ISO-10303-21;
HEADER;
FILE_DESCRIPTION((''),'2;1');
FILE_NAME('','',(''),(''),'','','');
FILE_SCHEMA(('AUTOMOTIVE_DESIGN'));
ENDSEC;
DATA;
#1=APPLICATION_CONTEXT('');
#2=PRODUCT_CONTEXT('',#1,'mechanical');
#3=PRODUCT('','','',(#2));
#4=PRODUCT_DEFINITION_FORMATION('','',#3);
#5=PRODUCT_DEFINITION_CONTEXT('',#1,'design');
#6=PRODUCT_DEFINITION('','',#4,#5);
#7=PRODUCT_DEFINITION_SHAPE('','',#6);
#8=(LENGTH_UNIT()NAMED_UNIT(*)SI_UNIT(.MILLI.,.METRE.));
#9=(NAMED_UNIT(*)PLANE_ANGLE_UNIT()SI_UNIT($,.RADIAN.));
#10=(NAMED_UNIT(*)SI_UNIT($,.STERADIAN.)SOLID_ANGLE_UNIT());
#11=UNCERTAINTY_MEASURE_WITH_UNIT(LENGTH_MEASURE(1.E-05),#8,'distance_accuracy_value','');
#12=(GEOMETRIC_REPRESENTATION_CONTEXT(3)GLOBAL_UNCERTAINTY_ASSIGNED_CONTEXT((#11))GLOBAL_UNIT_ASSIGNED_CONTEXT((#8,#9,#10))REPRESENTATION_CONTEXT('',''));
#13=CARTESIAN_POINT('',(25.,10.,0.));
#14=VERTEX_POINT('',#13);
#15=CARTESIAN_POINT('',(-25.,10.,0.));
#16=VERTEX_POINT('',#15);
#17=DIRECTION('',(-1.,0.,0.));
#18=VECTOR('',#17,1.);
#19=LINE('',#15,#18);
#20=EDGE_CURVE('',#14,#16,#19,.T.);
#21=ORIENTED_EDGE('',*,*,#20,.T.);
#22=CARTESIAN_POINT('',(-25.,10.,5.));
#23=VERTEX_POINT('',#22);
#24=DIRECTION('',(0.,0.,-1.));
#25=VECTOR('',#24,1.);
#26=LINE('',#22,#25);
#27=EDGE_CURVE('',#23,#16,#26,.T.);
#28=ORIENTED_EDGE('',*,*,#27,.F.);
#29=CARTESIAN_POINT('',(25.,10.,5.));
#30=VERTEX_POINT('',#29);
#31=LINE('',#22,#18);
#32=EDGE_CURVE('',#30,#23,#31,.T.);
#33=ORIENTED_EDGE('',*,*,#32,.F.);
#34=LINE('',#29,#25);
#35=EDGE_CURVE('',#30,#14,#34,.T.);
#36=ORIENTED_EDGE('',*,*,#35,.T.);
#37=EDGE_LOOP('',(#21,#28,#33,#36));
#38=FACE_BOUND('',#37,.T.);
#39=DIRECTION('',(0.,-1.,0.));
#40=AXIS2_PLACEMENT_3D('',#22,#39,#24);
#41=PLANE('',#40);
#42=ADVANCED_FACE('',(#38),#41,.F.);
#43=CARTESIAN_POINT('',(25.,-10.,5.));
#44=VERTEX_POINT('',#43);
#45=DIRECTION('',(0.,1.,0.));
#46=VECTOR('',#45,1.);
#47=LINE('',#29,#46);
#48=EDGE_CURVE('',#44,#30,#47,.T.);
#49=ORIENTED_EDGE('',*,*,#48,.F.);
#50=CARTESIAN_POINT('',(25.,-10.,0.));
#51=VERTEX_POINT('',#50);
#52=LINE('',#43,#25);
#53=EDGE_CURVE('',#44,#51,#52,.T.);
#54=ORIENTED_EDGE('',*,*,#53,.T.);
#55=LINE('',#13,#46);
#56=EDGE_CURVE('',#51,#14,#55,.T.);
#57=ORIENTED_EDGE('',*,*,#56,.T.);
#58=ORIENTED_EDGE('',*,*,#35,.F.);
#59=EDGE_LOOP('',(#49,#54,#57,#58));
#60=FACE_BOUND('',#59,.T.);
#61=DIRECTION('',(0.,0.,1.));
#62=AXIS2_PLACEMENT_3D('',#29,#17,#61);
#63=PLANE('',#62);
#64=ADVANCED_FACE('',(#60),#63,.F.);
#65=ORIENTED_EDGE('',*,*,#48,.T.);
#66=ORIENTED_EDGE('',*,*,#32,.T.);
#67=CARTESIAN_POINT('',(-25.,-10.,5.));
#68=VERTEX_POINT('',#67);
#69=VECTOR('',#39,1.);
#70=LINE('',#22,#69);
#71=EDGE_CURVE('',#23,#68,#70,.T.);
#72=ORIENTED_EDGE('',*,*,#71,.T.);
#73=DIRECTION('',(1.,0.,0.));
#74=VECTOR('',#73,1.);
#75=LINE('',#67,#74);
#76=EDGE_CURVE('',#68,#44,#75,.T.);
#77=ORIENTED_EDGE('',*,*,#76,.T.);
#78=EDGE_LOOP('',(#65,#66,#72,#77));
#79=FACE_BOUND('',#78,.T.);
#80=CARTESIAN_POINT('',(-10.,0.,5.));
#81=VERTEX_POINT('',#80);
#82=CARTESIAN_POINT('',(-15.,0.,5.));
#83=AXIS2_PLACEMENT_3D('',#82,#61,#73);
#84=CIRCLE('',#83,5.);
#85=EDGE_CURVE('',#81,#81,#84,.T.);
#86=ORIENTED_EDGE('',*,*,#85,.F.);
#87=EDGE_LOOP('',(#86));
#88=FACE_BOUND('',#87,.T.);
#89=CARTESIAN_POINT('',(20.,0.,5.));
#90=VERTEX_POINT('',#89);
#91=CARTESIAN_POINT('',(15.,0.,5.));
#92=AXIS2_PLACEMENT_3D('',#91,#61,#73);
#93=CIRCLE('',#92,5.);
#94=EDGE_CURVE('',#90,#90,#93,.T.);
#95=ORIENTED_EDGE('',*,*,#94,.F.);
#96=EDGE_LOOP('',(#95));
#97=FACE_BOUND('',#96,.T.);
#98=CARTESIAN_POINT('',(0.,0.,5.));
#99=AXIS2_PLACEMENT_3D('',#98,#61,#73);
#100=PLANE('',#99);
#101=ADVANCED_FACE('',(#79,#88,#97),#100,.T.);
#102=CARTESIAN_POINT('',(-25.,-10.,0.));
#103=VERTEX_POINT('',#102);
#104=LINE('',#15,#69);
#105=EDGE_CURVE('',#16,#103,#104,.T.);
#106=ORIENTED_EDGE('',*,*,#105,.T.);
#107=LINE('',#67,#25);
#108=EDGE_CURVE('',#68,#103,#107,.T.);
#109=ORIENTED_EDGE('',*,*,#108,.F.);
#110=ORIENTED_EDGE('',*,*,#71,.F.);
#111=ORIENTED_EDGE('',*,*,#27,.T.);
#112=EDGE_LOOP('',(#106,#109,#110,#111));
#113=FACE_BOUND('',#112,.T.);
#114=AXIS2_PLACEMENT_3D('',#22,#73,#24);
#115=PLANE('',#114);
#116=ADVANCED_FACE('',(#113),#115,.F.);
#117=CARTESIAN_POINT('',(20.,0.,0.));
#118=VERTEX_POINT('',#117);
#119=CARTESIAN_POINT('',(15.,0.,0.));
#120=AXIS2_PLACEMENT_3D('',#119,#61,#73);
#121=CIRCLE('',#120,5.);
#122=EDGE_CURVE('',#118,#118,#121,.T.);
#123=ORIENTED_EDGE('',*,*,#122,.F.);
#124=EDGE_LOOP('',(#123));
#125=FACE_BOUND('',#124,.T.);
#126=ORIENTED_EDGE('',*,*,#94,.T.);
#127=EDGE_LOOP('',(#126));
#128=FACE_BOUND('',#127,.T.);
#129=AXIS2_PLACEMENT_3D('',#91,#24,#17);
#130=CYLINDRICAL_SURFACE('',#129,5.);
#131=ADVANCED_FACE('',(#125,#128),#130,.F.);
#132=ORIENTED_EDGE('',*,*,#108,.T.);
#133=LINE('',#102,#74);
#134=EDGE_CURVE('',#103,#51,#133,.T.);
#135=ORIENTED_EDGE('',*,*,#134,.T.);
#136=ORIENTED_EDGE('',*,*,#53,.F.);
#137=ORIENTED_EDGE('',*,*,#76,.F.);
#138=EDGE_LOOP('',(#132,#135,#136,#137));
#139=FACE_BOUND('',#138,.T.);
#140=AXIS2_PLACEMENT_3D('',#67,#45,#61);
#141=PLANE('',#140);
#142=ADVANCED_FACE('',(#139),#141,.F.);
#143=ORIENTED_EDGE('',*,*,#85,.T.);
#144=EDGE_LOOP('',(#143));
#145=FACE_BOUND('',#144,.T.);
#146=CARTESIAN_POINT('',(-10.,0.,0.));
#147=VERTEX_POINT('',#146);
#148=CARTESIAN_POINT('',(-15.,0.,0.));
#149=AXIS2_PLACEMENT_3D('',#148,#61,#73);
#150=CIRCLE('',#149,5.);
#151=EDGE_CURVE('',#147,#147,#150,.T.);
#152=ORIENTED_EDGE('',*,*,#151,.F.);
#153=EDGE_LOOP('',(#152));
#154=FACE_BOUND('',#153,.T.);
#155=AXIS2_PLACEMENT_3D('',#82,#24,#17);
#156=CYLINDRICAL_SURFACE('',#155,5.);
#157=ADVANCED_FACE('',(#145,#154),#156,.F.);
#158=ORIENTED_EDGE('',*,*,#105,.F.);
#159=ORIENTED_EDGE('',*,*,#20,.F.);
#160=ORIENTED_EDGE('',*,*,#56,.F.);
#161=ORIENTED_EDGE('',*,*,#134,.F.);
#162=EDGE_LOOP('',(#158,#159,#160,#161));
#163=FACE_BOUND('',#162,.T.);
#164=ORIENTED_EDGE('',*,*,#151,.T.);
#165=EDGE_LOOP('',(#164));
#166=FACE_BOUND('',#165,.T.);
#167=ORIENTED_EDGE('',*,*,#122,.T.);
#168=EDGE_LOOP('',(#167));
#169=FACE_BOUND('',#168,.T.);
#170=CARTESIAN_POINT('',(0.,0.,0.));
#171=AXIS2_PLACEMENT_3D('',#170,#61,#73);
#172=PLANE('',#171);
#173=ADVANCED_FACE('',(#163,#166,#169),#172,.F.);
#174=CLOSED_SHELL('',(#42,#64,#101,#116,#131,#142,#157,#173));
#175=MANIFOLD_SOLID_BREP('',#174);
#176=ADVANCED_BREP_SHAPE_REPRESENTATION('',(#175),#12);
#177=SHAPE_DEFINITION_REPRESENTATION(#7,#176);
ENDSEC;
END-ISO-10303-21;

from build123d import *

# Parameters (mm, degrees)
SKETCH1_W           = 50
SKETCH1_H           = 20
SKETCH1_R           = 5
BOSS_EXTRUDE1_DEPTH = 5


with BuildPart() as part:
    # Sketch1 → Boss-Extrude1 (new body)
    with BuildSketch(Plane.XY):
        Rectangle(SKETCH1_W, SKETCH1_H)
        with Locations((15, 0)):
            Circle(SKETCH1_R, mode=Mode.SUBTRACT)
        with Locations((-15, 0)):
            Circle(SKETCH1_R, mode=Mode.SUBTRACT)
    extrude(amount=BOSS_EXTRUDE1_DEPTH)


solid = part.part
